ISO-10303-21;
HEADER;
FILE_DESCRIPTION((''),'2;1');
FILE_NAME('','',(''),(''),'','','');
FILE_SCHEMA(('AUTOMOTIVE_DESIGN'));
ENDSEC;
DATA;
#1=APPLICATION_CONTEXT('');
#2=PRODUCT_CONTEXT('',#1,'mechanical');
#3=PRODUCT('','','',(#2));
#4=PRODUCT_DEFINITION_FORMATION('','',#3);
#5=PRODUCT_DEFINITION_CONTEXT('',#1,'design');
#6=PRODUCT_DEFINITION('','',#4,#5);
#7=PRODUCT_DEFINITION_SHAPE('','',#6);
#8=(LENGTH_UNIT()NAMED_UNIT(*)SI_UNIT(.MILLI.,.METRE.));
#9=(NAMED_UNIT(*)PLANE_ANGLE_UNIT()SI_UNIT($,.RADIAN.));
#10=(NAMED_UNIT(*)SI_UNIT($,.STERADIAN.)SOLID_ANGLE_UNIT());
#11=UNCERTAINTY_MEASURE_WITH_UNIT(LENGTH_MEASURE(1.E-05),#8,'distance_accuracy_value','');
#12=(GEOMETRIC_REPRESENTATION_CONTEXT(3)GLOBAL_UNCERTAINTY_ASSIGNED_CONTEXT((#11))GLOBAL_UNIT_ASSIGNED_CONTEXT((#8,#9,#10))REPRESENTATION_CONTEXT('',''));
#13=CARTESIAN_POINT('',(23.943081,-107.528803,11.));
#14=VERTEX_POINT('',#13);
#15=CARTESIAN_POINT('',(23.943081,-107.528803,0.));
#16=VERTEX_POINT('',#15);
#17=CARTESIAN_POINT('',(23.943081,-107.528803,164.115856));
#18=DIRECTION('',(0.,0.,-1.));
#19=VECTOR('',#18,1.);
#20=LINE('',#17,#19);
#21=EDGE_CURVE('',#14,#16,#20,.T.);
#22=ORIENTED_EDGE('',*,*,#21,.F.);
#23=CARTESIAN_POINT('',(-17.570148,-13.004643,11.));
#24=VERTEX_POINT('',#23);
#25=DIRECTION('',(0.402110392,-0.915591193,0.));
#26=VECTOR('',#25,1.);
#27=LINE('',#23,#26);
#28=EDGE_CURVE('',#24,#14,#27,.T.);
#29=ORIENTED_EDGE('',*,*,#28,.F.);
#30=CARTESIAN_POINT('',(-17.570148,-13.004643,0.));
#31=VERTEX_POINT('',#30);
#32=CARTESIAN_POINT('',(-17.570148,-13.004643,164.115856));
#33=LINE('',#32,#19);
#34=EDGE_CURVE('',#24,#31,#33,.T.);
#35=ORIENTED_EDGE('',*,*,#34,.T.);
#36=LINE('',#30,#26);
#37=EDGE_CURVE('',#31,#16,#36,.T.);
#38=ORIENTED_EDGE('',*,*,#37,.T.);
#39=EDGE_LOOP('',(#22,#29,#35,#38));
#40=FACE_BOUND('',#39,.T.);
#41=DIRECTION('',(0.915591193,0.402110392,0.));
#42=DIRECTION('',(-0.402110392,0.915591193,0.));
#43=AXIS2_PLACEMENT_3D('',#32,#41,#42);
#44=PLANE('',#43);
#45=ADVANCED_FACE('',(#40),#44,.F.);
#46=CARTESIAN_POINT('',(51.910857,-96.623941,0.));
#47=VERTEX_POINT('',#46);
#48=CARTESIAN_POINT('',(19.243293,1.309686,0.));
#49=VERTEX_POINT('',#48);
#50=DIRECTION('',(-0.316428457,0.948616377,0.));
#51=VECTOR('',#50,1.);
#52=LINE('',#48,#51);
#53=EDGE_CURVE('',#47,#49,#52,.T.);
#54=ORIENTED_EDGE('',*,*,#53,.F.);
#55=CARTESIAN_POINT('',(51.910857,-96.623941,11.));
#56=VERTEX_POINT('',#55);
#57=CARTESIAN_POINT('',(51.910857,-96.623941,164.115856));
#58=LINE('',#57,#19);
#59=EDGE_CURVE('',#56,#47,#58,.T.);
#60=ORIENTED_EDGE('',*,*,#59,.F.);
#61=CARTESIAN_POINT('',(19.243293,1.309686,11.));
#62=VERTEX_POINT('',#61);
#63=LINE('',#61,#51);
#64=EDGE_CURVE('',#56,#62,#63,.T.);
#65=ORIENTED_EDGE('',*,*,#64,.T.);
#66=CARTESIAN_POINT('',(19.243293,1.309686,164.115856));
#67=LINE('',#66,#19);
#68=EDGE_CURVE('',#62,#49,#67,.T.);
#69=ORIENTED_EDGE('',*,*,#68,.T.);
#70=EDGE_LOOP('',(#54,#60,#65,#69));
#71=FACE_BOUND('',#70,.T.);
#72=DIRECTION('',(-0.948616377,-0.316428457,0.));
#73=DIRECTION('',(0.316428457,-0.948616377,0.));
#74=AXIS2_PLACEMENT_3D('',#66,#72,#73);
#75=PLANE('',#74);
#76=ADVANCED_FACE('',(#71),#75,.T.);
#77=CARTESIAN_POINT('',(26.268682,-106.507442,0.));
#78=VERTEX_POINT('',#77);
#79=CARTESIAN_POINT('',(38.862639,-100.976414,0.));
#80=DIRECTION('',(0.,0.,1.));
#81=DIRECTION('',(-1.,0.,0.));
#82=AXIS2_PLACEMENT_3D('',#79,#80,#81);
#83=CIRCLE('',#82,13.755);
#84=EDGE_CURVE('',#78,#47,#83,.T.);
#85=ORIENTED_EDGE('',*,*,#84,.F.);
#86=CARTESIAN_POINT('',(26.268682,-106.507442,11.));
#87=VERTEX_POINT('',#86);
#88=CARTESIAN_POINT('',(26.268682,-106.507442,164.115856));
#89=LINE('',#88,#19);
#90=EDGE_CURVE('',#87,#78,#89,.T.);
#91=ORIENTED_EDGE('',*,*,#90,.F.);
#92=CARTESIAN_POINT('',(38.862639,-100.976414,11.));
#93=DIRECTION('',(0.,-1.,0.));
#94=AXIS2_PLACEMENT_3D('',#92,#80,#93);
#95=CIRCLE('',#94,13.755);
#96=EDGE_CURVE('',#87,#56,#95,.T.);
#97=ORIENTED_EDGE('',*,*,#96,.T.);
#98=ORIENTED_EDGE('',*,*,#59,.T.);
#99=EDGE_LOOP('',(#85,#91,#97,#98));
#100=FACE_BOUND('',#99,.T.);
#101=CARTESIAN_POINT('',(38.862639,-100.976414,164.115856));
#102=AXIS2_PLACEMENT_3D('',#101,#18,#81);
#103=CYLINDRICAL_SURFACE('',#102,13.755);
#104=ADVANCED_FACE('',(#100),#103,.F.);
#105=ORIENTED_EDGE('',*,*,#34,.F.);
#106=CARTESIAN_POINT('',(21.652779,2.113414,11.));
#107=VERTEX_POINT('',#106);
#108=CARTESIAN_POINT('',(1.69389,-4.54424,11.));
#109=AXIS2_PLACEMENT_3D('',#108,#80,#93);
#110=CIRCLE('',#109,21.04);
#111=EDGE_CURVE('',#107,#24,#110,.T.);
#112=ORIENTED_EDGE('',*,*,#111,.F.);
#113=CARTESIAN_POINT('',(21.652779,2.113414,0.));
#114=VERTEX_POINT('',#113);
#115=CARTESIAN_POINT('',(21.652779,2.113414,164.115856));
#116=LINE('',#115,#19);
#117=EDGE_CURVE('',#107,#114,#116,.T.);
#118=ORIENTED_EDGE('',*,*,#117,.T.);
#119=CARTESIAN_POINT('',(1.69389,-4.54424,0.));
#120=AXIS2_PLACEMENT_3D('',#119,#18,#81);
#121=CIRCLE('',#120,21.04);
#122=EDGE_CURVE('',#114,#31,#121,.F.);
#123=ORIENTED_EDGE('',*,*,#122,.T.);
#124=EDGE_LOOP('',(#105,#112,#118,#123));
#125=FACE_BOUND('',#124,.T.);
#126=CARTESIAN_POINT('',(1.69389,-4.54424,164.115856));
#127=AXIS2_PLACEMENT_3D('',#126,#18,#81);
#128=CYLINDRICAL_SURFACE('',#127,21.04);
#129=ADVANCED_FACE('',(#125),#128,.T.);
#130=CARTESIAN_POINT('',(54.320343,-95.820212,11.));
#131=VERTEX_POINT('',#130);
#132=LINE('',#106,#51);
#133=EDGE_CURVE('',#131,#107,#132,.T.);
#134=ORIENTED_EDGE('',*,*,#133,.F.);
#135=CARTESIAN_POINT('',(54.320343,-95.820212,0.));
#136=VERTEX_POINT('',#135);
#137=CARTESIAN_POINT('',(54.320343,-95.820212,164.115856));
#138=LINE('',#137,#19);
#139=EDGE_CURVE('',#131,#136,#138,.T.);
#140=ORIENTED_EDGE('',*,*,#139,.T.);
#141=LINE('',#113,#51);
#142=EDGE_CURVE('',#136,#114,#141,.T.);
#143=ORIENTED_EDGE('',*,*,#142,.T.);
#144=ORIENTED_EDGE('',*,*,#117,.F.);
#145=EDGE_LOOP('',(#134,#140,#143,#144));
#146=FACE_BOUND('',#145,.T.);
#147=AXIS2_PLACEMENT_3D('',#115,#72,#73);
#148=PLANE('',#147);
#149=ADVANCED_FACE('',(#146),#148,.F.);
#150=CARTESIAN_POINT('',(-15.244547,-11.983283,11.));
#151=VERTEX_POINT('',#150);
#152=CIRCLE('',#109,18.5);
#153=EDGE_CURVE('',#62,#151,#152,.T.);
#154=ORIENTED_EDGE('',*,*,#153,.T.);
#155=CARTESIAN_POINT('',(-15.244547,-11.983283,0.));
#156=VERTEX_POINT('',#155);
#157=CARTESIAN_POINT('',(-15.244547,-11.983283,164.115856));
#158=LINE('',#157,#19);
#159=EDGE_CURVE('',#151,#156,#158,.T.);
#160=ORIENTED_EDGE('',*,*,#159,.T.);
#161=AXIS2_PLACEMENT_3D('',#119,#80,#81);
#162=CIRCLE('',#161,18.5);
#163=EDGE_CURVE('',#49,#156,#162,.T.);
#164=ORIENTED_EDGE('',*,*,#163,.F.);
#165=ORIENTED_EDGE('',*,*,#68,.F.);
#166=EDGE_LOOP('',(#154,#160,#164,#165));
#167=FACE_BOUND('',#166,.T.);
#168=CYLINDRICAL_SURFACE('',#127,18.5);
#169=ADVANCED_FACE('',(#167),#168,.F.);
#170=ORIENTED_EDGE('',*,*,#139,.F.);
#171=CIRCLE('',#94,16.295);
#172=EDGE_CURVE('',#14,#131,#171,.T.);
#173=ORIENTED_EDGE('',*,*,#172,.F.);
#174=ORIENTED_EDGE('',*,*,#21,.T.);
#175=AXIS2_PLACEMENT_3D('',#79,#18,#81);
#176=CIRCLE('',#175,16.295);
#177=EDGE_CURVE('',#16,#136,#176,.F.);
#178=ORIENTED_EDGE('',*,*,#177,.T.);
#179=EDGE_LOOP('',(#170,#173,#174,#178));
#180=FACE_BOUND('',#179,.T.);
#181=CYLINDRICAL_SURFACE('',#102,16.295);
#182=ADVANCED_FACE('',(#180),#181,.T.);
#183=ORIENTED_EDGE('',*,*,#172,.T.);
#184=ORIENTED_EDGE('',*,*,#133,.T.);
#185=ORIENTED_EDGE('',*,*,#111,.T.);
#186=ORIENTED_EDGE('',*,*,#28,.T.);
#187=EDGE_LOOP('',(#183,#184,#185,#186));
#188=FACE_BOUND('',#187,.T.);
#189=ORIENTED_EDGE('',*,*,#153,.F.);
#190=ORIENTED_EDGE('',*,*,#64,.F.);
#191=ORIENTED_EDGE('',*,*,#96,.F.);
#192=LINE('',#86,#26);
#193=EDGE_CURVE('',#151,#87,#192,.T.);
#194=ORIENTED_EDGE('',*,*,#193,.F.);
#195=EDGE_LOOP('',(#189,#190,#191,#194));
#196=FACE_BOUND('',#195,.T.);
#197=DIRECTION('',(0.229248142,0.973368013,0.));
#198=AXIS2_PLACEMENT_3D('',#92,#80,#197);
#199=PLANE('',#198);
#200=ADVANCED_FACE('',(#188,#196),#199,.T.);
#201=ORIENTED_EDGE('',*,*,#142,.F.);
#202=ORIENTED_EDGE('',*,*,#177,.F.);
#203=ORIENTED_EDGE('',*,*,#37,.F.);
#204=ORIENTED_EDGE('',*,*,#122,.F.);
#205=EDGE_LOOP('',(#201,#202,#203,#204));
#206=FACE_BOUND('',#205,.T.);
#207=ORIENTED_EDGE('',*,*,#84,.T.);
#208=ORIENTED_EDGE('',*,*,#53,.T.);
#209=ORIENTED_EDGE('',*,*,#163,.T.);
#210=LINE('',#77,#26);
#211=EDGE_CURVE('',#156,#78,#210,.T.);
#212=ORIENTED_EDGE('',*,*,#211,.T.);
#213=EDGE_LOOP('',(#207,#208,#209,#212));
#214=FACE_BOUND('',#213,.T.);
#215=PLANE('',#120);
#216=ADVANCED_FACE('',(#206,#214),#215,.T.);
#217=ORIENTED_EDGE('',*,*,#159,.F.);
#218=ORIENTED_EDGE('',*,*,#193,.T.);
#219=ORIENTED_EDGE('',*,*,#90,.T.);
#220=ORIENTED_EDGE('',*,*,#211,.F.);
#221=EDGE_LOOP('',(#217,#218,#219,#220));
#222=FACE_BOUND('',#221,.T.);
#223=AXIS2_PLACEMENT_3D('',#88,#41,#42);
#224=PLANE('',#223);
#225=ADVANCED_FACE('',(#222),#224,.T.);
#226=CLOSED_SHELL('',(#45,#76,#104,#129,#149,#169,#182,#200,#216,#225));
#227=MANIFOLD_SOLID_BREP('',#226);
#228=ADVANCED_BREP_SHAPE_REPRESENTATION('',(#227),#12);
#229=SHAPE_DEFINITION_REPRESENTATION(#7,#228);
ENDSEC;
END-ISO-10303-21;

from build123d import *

# Parameters (mm, degrees)
EXTRUDE_THIN1_DEPTH = 11


with BuildPart() as part:
    # Sketch2 → Extrude-Thin1 (new body)
    with BuildSketch(Plane.XY):
        with BuildLine():
            Line((23.943080626, -107.52880284), (-17.57014843, -13.004643105))
            ThreePointArc((-17.57014843, -13.004643105), (-5.873118308, 15.087926542), (21.652778853, 2.113414277))
            Line((21.652778853, 2.113414277), (54.320342986, -95.820212296))
            ThreePointArc((54.320342986, -95.820212296), (44.723114629, -116.181079464), (23.943080626, -107.52880284))
        make_face()
        with BuildLine():
            Line((26.268682256, -106.507442444), (-15.244546799, -11.98328271))
            ThreePointArc((-15.244546799, -11.98328271), (-4.959610618, 12.717883567), (19.243293254, 1.309685996))
            Line((19.243293254, 1.309685996), (51.910857388, -96.623940577))
            ThreePointArc((51.910857388, -96.623940577), (43.809606939, -113.811036489), (26.268682256, -106.507442444))
        make_face(mode=Mode.SUBTRACT)
    extrude(amount=EXTRUDE_THIN1_DEPTH)


solid = part.part
